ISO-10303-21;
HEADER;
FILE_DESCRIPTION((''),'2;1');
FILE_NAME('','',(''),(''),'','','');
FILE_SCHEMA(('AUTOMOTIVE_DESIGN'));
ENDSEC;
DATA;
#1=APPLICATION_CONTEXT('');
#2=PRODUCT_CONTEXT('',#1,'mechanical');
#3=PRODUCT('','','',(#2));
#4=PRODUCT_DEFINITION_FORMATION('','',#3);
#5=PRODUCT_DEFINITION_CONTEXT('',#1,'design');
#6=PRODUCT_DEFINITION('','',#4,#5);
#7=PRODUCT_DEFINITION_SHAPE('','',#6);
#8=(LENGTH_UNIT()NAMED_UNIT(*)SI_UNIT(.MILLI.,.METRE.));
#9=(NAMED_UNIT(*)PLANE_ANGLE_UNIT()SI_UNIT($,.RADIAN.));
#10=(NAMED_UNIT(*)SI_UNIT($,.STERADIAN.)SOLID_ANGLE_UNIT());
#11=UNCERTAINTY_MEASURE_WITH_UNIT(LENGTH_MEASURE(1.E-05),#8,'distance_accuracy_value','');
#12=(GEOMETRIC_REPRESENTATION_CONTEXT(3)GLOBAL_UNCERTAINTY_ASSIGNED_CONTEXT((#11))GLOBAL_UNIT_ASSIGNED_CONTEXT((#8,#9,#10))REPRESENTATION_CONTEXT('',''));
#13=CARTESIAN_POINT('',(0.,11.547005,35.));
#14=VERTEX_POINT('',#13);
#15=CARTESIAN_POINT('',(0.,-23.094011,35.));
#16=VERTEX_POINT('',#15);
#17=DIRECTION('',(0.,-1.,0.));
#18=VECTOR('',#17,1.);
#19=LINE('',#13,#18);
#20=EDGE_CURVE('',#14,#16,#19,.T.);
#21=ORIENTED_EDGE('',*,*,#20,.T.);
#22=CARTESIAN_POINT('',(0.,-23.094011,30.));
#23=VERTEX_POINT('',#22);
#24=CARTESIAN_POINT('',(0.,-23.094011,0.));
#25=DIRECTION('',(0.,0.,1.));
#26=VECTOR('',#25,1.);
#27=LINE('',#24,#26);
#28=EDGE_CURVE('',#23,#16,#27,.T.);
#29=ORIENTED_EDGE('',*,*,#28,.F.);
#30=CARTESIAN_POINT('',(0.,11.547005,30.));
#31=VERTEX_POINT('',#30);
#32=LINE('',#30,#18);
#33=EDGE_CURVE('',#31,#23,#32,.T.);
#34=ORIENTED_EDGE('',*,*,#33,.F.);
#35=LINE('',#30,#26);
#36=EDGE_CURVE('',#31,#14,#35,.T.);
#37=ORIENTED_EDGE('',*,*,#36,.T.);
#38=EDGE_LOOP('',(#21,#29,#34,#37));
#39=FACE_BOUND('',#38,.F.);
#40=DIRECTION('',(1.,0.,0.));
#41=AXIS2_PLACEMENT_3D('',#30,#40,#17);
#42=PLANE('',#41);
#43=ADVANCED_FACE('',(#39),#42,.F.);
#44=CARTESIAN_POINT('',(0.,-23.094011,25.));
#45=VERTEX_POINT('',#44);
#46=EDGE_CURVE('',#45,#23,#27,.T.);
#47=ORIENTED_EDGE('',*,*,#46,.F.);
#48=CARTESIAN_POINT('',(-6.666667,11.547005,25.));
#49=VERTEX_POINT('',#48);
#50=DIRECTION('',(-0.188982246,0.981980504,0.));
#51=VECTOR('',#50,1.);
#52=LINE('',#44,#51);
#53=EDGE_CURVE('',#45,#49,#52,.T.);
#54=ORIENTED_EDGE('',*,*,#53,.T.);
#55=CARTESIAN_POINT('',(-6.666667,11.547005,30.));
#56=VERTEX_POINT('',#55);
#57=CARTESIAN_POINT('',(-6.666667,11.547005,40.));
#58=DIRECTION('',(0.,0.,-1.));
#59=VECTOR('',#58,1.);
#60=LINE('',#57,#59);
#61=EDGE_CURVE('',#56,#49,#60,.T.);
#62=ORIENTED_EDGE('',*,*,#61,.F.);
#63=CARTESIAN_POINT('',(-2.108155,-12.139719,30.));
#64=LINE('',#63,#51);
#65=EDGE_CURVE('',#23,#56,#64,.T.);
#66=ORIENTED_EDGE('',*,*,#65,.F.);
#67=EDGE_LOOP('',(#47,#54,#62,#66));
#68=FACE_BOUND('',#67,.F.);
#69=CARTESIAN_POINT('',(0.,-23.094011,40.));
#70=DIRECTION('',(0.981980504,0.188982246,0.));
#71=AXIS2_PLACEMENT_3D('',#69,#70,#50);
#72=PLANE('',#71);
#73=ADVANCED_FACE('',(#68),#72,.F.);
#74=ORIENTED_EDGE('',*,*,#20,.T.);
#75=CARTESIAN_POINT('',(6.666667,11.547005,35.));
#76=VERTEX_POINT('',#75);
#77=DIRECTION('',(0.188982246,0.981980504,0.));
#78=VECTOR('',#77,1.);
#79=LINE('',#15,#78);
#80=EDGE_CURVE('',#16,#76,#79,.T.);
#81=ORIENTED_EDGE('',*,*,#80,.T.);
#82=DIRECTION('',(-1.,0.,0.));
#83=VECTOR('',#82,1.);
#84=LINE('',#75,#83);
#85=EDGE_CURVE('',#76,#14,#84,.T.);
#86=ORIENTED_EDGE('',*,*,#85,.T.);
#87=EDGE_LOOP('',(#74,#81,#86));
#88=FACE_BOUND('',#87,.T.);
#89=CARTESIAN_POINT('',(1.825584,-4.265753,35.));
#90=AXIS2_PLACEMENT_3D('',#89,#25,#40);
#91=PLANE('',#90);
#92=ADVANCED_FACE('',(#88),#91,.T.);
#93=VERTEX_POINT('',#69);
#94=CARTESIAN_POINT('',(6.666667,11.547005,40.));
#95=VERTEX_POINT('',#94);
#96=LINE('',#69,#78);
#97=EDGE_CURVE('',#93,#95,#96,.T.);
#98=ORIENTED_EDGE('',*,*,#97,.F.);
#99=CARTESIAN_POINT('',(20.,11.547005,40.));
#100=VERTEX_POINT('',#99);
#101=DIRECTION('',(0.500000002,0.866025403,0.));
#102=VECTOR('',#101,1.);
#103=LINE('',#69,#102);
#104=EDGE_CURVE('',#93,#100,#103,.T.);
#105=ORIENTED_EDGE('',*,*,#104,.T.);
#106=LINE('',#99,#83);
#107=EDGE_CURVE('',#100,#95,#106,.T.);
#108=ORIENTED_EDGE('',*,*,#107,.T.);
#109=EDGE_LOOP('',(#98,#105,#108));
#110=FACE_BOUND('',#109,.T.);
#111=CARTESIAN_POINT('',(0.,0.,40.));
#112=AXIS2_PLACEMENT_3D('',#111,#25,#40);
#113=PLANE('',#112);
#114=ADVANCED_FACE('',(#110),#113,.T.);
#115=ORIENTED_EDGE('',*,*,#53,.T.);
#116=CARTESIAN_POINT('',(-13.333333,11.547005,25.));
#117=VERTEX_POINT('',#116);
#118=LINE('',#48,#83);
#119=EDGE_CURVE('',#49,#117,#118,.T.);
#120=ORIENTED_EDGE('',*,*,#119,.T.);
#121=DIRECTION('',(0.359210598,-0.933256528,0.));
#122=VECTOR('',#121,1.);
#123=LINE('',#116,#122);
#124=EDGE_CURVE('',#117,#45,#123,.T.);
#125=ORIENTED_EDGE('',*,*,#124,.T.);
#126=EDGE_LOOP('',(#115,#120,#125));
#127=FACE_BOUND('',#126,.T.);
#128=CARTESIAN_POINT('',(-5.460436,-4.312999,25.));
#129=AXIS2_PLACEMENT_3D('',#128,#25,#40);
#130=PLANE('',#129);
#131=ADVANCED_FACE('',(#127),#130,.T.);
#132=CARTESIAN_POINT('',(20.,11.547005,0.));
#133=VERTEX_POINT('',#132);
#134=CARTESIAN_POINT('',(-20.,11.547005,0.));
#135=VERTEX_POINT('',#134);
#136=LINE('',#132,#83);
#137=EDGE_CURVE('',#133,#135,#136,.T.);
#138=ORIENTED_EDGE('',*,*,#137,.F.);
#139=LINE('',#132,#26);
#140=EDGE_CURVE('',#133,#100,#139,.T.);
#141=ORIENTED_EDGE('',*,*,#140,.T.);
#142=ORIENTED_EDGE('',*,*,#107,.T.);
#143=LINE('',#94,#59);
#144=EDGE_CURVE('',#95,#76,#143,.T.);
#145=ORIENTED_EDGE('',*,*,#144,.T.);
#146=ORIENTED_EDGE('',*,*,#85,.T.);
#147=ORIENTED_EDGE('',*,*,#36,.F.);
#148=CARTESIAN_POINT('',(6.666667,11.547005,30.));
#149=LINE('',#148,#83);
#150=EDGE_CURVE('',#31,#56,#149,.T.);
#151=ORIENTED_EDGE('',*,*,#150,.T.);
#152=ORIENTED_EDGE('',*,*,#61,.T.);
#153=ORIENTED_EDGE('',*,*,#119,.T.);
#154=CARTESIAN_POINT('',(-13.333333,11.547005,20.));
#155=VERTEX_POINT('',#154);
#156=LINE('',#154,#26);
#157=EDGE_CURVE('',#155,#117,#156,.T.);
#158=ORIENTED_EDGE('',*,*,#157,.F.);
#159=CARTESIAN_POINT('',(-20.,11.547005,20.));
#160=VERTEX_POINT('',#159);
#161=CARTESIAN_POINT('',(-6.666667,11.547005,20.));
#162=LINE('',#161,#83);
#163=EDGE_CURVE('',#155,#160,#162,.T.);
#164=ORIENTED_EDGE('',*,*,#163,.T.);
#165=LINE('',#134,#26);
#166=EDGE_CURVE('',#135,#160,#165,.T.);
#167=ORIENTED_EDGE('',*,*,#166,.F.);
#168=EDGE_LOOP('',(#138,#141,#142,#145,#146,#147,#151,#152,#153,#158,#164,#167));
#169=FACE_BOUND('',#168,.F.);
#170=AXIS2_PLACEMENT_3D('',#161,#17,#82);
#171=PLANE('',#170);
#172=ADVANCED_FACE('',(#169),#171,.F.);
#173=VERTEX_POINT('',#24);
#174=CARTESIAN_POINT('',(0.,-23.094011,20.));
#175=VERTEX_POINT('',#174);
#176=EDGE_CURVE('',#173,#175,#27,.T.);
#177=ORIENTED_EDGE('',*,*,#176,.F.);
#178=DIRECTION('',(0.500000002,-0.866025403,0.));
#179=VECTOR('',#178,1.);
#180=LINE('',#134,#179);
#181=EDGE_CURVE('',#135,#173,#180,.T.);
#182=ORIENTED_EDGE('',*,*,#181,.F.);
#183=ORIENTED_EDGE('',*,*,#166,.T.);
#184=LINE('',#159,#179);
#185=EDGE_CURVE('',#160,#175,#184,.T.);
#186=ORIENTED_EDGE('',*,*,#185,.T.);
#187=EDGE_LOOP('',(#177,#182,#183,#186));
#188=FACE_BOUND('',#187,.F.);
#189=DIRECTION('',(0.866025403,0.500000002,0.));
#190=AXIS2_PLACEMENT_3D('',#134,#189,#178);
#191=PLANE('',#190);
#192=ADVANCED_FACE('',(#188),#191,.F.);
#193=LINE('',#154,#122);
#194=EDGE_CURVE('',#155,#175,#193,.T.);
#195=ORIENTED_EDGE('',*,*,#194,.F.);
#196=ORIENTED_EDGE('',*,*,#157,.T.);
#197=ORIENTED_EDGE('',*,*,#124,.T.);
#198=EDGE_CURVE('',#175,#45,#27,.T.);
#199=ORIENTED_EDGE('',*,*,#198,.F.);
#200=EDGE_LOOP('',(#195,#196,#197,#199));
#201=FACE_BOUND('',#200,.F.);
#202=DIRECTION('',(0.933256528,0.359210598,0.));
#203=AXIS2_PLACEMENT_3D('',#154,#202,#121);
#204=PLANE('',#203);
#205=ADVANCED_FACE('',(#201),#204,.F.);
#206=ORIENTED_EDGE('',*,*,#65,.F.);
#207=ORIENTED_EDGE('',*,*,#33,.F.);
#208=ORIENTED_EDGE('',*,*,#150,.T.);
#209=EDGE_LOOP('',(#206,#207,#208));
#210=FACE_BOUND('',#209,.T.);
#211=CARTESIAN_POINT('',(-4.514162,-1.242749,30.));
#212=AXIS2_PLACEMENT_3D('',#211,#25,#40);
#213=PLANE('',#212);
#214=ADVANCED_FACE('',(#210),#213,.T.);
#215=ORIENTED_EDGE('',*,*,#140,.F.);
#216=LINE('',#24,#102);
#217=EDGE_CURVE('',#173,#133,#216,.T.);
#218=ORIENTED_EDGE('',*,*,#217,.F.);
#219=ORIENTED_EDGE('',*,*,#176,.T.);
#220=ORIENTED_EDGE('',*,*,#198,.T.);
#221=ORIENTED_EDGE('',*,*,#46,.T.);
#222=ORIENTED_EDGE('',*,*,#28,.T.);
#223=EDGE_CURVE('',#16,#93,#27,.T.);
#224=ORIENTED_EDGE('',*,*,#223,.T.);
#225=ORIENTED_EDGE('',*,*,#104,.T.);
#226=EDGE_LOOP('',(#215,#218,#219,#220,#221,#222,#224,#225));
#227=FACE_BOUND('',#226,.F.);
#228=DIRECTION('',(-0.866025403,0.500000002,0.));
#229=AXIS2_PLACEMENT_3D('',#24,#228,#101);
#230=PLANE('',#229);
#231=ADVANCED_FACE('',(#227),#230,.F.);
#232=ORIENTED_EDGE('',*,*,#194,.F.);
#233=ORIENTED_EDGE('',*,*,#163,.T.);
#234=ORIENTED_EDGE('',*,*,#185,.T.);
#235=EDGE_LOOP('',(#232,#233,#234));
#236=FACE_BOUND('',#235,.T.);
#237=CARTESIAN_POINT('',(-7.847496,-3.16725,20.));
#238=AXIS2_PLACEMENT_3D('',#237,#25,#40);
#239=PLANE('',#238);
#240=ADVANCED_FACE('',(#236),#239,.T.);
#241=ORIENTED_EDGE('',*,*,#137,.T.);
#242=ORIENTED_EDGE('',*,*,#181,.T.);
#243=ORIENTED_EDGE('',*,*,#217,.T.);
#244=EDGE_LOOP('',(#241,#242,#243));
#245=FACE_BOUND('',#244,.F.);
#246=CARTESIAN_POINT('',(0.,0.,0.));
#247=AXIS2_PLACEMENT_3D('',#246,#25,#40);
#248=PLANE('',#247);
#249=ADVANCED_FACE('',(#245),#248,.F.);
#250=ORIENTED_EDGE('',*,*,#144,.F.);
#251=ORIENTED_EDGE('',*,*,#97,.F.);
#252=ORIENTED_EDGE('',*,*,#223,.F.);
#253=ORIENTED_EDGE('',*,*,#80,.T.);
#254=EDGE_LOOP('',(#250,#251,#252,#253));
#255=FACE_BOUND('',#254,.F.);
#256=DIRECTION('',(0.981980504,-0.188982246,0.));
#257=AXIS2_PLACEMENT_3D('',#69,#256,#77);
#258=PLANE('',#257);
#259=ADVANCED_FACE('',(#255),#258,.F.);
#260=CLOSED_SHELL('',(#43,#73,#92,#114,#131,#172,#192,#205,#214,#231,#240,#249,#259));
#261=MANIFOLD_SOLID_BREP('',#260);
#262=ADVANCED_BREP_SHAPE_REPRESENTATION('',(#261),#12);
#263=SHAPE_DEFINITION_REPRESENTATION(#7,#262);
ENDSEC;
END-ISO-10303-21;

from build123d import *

# Parameters (mm, degrees)
F1_DEPTH  = 40
F4_DEPTH  = 10
F6_DEPTH  = 20
F8_DEPTH  = 5
F10_DEPTH = 5


with BuildPart() as f1:
    # F0 (on Top) → F1 (new body)
    with BuildSketch(Plane.XY):
        Polygon((20, 11.547005), (-20, 11.547005), (0, -23.094011), align=None)
    extrude(amount=F1_DEPTH)

    # F3 (on face) → F4 (cut)
    with BuildSketch(Plane.XY.offset(40)):
        Polygon((0, -23.094011), (6.666667, 11.547005), (-20, 11.547005), align=None)
    extrude(amount=-F4_DEPTH, mode=Mode.SUBTRACT)

    # F5 (on face) → F6 (cut)
    with BuildSketch(Plane.XY.offset(40)):
        Polygon((0, -23.094011), (-6.666667, 11.547005), (-20, 11.547005), align=None)
    extrude(amount=-F6_DEPTH, mode=Mode.SUBTRACT)

    # F7 (on face) → F8 (join)
    with BuildSketch(Plane.XY.offset(30)):
        Polygon((0, 11.547005), (0, -23.094011), (6.666667, 11.547005), align=None)
    extrude(amount=F8_DEPTH)

    # F9 (on face) → F10 (join)
    with BuildSketch(Plane.XY.offset(20)):
        Polygon((-6.666667, 11.547005), (-13.333333, 11.547005), (0, -23.094011), align=None)
    extrude(amount=F10_DEPTH)


solid = f1.part
